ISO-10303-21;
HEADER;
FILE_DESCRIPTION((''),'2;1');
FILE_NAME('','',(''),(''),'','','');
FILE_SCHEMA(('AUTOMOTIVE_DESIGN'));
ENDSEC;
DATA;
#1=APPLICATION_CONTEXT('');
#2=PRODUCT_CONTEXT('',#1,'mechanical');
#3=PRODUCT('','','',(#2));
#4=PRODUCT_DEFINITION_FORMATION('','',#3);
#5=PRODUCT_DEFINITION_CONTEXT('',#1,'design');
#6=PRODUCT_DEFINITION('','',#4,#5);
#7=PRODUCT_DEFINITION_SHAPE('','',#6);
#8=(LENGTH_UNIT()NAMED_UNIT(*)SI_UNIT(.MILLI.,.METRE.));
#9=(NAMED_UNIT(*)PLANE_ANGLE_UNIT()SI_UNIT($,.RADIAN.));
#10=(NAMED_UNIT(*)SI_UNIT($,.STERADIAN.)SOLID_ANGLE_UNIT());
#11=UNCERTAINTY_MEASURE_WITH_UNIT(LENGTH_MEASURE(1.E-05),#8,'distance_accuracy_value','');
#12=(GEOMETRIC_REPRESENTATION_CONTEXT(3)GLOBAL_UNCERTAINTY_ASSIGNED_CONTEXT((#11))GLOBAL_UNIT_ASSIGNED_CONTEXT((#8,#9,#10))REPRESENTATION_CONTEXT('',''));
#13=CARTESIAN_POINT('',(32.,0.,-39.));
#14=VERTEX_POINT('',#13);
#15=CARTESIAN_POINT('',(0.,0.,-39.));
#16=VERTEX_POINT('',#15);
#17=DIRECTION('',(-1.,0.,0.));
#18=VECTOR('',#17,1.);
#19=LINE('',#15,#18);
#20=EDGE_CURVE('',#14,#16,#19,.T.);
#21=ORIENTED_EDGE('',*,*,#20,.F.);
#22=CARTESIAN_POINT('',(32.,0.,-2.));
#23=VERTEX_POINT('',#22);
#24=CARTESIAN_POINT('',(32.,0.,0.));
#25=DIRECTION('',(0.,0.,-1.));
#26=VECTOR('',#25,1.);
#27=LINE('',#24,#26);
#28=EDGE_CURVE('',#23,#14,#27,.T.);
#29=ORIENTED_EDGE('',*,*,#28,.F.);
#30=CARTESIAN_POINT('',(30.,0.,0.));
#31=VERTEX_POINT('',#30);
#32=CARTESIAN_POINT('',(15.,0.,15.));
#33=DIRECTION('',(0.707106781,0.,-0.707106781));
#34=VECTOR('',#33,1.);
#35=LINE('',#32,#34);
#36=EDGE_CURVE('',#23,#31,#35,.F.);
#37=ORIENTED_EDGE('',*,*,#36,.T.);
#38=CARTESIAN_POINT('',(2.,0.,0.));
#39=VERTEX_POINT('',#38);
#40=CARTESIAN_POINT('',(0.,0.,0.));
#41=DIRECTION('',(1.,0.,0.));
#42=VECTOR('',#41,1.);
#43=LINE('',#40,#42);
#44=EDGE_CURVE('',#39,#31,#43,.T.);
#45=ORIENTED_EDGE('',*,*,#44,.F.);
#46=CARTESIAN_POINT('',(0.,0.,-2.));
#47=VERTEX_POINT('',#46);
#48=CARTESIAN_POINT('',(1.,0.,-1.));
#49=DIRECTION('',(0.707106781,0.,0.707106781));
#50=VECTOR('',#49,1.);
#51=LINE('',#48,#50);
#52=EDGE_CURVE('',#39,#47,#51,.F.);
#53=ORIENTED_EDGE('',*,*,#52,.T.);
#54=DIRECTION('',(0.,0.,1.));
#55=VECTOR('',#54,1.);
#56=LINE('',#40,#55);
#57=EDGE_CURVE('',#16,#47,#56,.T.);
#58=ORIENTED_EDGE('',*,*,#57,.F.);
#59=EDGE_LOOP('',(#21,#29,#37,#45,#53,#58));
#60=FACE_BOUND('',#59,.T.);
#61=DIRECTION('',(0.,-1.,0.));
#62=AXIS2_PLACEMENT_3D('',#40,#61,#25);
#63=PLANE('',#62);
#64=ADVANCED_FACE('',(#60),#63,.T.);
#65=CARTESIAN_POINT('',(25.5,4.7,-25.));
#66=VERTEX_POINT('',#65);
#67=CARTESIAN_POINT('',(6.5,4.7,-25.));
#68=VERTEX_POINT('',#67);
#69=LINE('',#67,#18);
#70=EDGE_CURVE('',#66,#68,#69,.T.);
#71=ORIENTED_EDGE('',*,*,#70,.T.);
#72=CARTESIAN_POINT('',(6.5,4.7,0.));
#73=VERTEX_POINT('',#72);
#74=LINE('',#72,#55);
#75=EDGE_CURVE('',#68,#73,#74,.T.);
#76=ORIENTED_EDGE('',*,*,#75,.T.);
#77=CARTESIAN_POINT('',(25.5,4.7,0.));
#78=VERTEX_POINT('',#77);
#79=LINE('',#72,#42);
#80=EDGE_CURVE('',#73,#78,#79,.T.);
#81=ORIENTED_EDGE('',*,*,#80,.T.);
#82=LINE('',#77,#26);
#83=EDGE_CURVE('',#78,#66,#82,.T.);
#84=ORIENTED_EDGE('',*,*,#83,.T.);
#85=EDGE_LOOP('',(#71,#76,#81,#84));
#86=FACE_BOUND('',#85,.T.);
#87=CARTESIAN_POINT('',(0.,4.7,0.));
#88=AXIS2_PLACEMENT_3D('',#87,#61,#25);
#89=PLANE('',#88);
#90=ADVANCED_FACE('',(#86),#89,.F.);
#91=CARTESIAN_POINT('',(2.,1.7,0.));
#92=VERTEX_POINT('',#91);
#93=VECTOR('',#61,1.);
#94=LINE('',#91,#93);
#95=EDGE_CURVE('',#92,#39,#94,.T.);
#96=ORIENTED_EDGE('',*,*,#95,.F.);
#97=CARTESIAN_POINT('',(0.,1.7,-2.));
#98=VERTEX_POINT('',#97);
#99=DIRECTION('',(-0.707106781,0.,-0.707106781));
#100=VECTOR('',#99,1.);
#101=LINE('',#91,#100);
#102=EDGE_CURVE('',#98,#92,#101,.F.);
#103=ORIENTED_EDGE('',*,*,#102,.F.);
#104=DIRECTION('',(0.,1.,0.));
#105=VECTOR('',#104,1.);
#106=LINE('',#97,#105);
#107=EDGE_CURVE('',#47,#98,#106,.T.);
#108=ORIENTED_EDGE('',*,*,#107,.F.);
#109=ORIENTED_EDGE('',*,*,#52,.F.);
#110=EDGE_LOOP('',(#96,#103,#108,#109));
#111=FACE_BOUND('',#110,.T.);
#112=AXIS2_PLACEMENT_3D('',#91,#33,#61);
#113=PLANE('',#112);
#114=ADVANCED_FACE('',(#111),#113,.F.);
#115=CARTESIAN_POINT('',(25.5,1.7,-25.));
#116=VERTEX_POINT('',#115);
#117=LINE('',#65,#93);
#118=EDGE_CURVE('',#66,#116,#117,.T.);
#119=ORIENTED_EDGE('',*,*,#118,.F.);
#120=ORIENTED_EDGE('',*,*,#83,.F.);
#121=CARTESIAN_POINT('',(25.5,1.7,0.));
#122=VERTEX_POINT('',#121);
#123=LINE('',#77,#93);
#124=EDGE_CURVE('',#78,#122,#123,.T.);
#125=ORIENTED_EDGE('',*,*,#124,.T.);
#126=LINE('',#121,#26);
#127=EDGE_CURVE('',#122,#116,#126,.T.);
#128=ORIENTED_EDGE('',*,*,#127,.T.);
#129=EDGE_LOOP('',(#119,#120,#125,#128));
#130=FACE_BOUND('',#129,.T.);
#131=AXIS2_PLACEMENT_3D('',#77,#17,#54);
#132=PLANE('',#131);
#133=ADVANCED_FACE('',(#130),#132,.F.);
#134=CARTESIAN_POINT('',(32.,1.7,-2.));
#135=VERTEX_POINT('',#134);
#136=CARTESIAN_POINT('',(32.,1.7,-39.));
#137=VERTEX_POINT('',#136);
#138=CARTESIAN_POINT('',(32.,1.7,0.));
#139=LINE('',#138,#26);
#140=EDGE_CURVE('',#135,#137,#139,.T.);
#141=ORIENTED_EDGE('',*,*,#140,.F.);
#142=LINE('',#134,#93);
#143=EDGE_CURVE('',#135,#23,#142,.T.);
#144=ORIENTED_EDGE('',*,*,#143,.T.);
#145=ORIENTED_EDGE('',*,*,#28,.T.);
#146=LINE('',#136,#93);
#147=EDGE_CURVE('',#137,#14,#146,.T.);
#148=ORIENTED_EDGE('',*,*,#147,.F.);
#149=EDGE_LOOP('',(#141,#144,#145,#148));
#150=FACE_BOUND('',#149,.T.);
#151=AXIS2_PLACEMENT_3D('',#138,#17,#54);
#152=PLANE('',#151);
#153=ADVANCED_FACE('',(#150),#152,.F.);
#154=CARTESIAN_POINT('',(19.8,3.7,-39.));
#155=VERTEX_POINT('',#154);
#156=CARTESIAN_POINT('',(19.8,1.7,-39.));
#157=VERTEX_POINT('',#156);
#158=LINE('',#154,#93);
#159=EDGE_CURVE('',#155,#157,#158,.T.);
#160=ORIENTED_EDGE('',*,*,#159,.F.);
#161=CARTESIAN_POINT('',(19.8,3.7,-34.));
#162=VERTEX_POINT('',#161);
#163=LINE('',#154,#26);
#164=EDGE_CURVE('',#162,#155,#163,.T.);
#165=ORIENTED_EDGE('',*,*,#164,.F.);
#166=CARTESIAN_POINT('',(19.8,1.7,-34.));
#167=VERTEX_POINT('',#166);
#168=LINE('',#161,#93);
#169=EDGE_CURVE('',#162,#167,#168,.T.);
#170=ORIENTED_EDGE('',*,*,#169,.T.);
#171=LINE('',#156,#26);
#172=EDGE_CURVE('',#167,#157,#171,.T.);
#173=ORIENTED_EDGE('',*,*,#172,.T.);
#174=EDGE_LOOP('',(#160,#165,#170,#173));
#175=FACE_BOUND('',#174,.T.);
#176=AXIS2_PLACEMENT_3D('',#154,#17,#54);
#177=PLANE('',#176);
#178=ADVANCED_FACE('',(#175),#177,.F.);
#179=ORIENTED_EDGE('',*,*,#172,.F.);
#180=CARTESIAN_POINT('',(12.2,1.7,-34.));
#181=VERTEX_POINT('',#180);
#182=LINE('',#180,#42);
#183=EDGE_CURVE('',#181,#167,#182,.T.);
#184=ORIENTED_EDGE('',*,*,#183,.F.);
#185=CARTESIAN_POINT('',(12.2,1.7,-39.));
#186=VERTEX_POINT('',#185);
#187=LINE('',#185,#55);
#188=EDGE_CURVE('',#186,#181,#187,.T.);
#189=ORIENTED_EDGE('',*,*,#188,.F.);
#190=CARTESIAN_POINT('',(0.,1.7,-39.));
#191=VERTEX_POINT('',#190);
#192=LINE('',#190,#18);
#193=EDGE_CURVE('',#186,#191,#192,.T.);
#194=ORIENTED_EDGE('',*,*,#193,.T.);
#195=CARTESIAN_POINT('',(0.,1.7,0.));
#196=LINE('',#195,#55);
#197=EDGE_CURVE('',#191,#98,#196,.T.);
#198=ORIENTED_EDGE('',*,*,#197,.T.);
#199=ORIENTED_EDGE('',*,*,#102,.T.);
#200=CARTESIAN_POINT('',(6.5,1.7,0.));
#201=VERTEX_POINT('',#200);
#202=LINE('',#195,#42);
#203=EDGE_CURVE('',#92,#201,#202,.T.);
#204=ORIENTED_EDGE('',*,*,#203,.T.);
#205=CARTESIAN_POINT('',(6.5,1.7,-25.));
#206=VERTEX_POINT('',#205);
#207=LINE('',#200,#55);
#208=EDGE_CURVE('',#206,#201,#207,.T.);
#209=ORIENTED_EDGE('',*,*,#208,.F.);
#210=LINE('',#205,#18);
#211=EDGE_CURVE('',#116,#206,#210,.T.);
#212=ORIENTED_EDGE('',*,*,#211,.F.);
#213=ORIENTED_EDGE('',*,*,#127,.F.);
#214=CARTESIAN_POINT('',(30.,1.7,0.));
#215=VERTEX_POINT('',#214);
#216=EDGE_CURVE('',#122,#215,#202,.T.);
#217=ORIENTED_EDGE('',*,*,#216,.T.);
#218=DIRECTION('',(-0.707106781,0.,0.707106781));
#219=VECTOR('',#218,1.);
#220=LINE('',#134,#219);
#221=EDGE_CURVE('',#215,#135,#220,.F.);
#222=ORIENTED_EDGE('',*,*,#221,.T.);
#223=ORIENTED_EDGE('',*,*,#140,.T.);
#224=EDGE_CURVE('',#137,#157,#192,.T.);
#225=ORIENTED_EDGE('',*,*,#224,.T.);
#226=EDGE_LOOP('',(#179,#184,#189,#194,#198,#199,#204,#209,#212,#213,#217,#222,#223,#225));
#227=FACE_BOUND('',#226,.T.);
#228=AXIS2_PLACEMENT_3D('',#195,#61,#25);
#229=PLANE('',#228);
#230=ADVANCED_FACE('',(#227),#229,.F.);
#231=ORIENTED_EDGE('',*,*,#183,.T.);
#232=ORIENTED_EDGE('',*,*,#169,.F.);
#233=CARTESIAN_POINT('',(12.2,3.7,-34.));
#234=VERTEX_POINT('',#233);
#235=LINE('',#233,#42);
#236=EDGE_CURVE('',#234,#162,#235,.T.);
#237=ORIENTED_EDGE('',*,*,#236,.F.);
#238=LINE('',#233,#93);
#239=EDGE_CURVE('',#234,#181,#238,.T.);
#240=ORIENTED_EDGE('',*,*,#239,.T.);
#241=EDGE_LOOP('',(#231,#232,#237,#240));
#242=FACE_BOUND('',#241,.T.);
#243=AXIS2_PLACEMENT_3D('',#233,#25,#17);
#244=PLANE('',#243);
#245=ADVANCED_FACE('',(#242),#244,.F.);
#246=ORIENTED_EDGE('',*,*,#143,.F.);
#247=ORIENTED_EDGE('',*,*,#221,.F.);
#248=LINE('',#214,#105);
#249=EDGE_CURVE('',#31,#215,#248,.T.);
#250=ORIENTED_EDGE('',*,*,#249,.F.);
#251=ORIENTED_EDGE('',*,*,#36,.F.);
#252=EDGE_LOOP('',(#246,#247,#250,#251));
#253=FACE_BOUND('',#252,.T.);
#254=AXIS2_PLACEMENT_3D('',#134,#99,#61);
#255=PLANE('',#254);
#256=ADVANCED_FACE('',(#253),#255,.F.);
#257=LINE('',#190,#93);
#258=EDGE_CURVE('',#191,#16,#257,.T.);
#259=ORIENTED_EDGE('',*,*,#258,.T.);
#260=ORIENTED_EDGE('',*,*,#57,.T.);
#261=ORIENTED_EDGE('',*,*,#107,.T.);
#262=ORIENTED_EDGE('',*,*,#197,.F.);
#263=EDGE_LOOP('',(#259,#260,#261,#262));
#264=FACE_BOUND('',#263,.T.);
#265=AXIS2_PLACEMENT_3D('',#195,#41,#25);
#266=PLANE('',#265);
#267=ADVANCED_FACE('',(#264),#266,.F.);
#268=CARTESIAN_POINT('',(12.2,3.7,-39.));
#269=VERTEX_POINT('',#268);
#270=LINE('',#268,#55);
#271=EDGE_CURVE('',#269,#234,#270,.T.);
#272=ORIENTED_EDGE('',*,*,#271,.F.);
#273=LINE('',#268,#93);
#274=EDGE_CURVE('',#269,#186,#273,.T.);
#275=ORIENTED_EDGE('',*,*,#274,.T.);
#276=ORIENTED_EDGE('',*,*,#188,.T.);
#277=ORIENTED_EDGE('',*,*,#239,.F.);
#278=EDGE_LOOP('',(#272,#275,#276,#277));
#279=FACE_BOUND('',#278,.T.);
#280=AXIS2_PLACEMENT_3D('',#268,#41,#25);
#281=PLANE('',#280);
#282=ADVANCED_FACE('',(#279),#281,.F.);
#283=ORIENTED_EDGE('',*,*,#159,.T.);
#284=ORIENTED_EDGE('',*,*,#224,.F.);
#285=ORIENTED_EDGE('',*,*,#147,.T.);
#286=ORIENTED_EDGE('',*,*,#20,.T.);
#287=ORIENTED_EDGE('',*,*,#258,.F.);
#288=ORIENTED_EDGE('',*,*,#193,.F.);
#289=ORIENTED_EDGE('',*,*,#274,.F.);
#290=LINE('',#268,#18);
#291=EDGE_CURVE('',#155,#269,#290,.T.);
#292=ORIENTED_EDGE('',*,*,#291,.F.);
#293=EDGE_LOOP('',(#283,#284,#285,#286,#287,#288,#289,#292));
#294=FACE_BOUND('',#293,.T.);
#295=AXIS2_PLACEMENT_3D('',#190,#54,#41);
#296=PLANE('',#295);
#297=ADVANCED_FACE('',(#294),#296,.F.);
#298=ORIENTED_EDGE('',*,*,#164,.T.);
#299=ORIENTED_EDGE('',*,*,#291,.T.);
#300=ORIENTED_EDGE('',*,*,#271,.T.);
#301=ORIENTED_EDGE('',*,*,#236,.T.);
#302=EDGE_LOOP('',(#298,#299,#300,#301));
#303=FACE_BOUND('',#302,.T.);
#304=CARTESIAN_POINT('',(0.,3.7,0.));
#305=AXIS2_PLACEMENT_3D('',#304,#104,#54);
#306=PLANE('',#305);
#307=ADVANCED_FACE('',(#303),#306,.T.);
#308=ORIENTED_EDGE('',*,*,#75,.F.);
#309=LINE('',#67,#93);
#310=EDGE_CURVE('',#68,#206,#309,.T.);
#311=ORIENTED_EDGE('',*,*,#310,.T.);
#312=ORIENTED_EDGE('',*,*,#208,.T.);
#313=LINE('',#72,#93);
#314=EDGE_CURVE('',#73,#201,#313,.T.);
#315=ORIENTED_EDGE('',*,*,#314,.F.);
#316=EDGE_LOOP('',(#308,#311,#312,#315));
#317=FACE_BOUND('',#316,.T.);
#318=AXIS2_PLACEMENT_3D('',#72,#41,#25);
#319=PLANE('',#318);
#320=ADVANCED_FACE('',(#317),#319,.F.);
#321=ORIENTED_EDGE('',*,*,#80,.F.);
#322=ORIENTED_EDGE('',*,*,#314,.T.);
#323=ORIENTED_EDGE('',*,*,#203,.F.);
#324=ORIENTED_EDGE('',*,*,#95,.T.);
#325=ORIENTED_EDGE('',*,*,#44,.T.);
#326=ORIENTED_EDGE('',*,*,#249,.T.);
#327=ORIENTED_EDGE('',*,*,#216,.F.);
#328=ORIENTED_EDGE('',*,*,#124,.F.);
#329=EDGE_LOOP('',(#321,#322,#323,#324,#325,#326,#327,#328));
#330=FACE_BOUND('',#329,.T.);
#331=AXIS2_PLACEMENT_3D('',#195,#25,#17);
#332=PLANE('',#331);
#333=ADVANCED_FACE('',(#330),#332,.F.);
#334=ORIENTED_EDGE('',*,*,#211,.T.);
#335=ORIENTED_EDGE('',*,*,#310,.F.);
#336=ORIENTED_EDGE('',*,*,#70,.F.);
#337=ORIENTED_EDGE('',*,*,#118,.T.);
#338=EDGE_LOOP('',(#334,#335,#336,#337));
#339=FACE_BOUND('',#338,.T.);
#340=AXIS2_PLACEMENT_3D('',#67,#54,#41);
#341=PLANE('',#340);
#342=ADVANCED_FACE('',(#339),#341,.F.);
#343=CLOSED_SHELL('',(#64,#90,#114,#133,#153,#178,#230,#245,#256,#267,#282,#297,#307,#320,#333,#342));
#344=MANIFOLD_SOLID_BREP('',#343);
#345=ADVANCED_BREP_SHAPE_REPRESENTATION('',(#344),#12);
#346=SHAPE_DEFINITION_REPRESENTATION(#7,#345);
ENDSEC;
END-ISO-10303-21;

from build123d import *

# Parameters (mm, degrees)
SKETCH1_W           = 32
SKETCH1_H           = 39
BOSS_EXTRUDE1_DEPTH = 1.7
CHAMFER1_SIZE       = 2
SKETCH3_W           = 19
SKETCH3_H           = 25
BOSS_EXTRUDE2_DEPTH = 3
SKETCH4_W           = 7.6
SKETCH4_H           = 5
BOSS_EXTRUDE3_DEPTH = 2


with BuildPart() as part:
    # Sketch1 → Boss-Extrude1 (new body)
    with BuildSketch(Plane(origin=(0, 0, 0), x_dir=(1, 0, 0), z_dir=(0, 1, 0))):
        with Locations((16, 19.5)):
            Rectangle(SKETCH1_W, SKETCH1_H)
    extrude(amount=BOSS_EXTRUDE1_DEPTH)

    # Chamfer1
    chamfer1_edges = [part.edges().sort_by_distance(p)[0] for p in [
        (32, 0.85, 0),
        (0, 0.85, 0),
    ]]
    chamfer(chamfer1_edges, length=CHAMFER1_SIZE)

    # Sketch3 → Boss-Extrude2 (add)
    with BuildSketch(Plane(origin=(0, 1.7, 0), x_dir=(1, 0, 0), z_dir=(0, 1, 0))):
        with Locations((16, 12.5)):
            Rectangle(SKETCH3_W, SKETCH3_H)
    extrude(amount=BOSS_EXTRUDE2_DEPTH)

    # Sketch4 → Boss-Extrude3 (add)
    with BuildSketch(Plane(origin=(0, 1.7, 0), x_dir=(1, 0, 0), z_dir=(0, 1, 0))):
        with Locations((16, 36.5)):
            Rectangle(SKETCH4_W, SKETCH4_H)
    extrude(amount=BOSS_EXTRUDE3_DEPTH)


solid = part.part
